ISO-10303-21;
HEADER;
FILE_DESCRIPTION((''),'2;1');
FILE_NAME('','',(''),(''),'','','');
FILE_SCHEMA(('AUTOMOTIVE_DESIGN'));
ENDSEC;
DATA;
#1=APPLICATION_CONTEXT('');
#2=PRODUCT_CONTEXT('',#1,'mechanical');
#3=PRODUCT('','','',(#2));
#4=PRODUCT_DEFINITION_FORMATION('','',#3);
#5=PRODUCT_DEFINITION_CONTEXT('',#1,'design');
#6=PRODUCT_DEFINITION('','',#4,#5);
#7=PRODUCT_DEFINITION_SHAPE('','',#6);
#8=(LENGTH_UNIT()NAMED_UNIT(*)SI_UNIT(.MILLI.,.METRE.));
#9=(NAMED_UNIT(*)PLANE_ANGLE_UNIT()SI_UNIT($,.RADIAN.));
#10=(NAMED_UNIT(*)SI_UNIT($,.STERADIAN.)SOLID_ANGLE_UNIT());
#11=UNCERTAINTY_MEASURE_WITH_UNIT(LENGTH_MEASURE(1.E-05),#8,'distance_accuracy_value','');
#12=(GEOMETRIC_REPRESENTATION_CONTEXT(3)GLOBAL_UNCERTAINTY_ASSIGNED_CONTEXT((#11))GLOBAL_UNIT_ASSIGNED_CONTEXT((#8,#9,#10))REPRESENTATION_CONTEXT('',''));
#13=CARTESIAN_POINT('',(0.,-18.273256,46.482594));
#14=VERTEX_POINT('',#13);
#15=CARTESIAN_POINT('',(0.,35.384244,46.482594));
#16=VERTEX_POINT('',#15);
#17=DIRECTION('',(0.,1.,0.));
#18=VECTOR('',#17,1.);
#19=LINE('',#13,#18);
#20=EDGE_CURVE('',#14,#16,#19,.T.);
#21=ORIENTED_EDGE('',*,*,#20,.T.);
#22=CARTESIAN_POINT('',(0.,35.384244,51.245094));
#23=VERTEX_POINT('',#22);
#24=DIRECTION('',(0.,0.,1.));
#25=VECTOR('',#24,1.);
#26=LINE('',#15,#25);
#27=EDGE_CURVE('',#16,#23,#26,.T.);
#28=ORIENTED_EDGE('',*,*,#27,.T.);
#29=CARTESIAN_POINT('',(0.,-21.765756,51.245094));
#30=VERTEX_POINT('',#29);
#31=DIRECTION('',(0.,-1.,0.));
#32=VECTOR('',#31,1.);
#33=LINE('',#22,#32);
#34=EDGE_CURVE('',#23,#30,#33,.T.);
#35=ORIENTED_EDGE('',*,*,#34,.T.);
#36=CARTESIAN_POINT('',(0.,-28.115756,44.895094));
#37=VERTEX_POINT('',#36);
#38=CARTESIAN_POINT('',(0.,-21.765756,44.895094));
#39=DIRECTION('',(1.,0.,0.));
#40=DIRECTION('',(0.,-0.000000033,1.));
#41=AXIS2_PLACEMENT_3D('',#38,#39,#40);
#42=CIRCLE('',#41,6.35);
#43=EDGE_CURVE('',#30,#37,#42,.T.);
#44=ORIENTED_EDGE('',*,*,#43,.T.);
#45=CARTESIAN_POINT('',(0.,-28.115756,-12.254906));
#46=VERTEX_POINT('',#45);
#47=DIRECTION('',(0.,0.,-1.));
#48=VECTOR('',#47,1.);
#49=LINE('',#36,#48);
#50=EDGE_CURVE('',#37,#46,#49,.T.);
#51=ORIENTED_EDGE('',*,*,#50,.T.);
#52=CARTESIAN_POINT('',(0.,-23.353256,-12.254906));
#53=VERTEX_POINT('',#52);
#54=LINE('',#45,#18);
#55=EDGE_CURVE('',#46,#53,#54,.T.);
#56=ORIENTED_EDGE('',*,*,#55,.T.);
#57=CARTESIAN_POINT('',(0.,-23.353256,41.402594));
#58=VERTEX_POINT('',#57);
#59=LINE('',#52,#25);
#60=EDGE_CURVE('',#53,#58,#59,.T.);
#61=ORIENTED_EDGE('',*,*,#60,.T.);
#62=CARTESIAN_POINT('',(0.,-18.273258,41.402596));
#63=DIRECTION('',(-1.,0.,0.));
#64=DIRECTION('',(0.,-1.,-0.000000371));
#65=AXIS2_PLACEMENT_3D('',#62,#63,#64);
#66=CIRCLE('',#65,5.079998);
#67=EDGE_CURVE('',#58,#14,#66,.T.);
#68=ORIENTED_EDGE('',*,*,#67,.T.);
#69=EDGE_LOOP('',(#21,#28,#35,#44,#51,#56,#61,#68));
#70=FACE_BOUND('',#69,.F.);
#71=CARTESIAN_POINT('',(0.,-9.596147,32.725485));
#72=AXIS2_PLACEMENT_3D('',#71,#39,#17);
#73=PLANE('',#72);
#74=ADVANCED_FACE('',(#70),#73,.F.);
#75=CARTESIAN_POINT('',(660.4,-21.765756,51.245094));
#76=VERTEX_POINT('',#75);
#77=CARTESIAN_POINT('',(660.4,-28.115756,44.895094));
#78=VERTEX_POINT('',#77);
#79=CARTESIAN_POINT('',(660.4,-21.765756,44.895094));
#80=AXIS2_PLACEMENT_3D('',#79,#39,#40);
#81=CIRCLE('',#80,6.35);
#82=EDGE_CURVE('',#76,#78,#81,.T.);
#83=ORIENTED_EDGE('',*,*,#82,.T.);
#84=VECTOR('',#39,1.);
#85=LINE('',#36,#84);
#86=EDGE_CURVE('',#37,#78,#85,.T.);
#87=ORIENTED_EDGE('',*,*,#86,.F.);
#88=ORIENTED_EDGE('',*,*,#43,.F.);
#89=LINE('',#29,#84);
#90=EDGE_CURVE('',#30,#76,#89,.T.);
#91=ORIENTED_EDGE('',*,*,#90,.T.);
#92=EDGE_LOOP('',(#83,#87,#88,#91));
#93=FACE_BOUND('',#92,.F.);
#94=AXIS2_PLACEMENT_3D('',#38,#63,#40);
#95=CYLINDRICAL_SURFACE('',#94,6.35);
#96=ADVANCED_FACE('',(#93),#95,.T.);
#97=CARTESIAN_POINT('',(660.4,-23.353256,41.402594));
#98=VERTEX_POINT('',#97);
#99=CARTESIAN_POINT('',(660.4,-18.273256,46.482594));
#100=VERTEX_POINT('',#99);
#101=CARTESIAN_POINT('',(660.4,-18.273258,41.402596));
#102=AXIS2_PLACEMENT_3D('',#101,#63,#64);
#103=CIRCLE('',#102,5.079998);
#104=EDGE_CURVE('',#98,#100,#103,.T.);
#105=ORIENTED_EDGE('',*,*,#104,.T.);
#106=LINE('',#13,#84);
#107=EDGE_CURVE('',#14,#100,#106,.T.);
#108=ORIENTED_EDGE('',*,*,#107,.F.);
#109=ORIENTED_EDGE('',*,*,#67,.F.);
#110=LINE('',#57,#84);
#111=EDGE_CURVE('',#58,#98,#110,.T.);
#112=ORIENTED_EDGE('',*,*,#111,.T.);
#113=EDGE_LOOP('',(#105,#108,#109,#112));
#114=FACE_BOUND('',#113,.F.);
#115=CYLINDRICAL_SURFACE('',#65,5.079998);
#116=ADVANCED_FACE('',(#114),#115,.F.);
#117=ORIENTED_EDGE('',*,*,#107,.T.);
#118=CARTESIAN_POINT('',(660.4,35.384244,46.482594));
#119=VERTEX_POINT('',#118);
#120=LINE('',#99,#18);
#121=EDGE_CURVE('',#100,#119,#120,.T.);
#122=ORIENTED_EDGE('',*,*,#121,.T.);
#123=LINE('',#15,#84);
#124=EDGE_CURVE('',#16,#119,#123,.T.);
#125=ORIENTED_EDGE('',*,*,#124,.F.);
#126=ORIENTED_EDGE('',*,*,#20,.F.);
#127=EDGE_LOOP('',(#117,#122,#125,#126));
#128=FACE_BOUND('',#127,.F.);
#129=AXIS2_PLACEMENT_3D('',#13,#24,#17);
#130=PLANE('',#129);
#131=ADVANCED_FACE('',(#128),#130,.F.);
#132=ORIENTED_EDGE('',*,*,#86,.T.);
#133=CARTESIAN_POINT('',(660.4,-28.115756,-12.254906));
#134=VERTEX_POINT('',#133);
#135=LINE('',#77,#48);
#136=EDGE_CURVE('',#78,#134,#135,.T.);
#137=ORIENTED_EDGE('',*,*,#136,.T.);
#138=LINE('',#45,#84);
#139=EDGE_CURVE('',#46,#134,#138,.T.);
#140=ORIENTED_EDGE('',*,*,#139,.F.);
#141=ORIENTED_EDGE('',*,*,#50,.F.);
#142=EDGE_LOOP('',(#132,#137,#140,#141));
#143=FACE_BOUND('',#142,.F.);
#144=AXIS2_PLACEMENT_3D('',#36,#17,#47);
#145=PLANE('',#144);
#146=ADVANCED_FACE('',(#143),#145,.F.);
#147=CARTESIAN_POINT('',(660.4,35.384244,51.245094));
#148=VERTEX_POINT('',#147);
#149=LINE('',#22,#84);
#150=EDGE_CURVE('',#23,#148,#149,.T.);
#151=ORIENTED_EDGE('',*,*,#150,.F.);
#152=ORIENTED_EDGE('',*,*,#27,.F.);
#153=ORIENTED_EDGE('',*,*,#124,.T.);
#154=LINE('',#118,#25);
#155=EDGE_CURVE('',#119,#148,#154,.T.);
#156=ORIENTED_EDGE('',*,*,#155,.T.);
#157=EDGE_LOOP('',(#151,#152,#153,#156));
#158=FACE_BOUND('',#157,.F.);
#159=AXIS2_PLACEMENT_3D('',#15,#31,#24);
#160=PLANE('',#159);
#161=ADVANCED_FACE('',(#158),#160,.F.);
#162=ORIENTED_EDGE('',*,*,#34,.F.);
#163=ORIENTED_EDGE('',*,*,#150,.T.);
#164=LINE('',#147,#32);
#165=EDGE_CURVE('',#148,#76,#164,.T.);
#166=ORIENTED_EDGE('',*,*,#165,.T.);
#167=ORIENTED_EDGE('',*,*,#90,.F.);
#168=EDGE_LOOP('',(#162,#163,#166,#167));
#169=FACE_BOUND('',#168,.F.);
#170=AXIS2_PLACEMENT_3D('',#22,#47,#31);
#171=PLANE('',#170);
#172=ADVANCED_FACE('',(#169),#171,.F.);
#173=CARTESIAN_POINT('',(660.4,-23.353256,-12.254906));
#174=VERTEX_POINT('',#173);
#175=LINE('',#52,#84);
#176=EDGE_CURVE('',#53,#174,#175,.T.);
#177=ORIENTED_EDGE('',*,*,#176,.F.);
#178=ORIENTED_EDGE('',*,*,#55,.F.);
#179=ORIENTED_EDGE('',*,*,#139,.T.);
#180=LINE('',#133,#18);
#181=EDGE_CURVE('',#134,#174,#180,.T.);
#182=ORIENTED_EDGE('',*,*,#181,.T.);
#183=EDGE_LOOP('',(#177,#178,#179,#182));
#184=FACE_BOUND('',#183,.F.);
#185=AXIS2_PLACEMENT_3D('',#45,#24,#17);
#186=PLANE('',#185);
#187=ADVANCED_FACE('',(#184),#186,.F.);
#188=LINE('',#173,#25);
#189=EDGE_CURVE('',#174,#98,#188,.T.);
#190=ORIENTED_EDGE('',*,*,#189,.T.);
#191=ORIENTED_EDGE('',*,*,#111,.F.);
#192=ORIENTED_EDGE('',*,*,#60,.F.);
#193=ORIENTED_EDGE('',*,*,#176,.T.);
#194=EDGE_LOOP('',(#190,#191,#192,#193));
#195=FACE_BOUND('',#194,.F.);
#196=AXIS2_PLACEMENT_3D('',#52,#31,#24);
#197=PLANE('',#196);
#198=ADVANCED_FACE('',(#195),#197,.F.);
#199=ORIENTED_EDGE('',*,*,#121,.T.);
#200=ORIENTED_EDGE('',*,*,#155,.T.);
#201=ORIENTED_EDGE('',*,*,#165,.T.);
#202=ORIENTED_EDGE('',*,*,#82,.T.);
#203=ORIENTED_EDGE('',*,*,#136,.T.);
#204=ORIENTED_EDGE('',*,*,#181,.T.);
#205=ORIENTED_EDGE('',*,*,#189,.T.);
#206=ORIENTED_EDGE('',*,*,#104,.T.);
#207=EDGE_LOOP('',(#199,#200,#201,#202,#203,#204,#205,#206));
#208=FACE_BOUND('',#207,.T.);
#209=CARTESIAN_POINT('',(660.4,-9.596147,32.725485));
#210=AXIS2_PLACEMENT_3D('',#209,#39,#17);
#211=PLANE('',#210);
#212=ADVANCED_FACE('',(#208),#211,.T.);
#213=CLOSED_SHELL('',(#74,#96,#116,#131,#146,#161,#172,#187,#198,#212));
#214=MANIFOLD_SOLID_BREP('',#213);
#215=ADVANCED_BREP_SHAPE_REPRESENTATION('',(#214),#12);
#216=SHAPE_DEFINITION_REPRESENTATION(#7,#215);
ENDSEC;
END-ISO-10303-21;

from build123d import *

# Parameters (mm, degrees)
F1_DEPTH = 660.4


with BuildPart() as f1:
    # F0 (on Right) → F1 (new body)
    with BuildSketch(Plane.YZ):
        with BuildLine():
            Line((-28.115756, 44.895094), (-28.115756, -12.254906))
            Line((-28.115756, -12.254906), (-23.353256, -12.254906))
            Line((-23.353256, -12.254906), (-23.353256, 41.402594))
            ThreePointArc((-23.353256, 41.402594), (-21.865359, 44.994697), (-18.273256, 46.482594))
            Line((-18.273256, 46.482594), (35.384244, 46.482594))
            Line((35.384244, 46.482594), (35.384244, 51.245094))
            Line((35.384244, 51.245094), (-21.765756, 51.245094))
            ThreePointArc((-21.765756, 51.245094), (-26.255884, 49.385222), (-28.115756, 44.895094))
        make_face()
    extrude(amount=F1_DEPTH)


solid = f1.part
